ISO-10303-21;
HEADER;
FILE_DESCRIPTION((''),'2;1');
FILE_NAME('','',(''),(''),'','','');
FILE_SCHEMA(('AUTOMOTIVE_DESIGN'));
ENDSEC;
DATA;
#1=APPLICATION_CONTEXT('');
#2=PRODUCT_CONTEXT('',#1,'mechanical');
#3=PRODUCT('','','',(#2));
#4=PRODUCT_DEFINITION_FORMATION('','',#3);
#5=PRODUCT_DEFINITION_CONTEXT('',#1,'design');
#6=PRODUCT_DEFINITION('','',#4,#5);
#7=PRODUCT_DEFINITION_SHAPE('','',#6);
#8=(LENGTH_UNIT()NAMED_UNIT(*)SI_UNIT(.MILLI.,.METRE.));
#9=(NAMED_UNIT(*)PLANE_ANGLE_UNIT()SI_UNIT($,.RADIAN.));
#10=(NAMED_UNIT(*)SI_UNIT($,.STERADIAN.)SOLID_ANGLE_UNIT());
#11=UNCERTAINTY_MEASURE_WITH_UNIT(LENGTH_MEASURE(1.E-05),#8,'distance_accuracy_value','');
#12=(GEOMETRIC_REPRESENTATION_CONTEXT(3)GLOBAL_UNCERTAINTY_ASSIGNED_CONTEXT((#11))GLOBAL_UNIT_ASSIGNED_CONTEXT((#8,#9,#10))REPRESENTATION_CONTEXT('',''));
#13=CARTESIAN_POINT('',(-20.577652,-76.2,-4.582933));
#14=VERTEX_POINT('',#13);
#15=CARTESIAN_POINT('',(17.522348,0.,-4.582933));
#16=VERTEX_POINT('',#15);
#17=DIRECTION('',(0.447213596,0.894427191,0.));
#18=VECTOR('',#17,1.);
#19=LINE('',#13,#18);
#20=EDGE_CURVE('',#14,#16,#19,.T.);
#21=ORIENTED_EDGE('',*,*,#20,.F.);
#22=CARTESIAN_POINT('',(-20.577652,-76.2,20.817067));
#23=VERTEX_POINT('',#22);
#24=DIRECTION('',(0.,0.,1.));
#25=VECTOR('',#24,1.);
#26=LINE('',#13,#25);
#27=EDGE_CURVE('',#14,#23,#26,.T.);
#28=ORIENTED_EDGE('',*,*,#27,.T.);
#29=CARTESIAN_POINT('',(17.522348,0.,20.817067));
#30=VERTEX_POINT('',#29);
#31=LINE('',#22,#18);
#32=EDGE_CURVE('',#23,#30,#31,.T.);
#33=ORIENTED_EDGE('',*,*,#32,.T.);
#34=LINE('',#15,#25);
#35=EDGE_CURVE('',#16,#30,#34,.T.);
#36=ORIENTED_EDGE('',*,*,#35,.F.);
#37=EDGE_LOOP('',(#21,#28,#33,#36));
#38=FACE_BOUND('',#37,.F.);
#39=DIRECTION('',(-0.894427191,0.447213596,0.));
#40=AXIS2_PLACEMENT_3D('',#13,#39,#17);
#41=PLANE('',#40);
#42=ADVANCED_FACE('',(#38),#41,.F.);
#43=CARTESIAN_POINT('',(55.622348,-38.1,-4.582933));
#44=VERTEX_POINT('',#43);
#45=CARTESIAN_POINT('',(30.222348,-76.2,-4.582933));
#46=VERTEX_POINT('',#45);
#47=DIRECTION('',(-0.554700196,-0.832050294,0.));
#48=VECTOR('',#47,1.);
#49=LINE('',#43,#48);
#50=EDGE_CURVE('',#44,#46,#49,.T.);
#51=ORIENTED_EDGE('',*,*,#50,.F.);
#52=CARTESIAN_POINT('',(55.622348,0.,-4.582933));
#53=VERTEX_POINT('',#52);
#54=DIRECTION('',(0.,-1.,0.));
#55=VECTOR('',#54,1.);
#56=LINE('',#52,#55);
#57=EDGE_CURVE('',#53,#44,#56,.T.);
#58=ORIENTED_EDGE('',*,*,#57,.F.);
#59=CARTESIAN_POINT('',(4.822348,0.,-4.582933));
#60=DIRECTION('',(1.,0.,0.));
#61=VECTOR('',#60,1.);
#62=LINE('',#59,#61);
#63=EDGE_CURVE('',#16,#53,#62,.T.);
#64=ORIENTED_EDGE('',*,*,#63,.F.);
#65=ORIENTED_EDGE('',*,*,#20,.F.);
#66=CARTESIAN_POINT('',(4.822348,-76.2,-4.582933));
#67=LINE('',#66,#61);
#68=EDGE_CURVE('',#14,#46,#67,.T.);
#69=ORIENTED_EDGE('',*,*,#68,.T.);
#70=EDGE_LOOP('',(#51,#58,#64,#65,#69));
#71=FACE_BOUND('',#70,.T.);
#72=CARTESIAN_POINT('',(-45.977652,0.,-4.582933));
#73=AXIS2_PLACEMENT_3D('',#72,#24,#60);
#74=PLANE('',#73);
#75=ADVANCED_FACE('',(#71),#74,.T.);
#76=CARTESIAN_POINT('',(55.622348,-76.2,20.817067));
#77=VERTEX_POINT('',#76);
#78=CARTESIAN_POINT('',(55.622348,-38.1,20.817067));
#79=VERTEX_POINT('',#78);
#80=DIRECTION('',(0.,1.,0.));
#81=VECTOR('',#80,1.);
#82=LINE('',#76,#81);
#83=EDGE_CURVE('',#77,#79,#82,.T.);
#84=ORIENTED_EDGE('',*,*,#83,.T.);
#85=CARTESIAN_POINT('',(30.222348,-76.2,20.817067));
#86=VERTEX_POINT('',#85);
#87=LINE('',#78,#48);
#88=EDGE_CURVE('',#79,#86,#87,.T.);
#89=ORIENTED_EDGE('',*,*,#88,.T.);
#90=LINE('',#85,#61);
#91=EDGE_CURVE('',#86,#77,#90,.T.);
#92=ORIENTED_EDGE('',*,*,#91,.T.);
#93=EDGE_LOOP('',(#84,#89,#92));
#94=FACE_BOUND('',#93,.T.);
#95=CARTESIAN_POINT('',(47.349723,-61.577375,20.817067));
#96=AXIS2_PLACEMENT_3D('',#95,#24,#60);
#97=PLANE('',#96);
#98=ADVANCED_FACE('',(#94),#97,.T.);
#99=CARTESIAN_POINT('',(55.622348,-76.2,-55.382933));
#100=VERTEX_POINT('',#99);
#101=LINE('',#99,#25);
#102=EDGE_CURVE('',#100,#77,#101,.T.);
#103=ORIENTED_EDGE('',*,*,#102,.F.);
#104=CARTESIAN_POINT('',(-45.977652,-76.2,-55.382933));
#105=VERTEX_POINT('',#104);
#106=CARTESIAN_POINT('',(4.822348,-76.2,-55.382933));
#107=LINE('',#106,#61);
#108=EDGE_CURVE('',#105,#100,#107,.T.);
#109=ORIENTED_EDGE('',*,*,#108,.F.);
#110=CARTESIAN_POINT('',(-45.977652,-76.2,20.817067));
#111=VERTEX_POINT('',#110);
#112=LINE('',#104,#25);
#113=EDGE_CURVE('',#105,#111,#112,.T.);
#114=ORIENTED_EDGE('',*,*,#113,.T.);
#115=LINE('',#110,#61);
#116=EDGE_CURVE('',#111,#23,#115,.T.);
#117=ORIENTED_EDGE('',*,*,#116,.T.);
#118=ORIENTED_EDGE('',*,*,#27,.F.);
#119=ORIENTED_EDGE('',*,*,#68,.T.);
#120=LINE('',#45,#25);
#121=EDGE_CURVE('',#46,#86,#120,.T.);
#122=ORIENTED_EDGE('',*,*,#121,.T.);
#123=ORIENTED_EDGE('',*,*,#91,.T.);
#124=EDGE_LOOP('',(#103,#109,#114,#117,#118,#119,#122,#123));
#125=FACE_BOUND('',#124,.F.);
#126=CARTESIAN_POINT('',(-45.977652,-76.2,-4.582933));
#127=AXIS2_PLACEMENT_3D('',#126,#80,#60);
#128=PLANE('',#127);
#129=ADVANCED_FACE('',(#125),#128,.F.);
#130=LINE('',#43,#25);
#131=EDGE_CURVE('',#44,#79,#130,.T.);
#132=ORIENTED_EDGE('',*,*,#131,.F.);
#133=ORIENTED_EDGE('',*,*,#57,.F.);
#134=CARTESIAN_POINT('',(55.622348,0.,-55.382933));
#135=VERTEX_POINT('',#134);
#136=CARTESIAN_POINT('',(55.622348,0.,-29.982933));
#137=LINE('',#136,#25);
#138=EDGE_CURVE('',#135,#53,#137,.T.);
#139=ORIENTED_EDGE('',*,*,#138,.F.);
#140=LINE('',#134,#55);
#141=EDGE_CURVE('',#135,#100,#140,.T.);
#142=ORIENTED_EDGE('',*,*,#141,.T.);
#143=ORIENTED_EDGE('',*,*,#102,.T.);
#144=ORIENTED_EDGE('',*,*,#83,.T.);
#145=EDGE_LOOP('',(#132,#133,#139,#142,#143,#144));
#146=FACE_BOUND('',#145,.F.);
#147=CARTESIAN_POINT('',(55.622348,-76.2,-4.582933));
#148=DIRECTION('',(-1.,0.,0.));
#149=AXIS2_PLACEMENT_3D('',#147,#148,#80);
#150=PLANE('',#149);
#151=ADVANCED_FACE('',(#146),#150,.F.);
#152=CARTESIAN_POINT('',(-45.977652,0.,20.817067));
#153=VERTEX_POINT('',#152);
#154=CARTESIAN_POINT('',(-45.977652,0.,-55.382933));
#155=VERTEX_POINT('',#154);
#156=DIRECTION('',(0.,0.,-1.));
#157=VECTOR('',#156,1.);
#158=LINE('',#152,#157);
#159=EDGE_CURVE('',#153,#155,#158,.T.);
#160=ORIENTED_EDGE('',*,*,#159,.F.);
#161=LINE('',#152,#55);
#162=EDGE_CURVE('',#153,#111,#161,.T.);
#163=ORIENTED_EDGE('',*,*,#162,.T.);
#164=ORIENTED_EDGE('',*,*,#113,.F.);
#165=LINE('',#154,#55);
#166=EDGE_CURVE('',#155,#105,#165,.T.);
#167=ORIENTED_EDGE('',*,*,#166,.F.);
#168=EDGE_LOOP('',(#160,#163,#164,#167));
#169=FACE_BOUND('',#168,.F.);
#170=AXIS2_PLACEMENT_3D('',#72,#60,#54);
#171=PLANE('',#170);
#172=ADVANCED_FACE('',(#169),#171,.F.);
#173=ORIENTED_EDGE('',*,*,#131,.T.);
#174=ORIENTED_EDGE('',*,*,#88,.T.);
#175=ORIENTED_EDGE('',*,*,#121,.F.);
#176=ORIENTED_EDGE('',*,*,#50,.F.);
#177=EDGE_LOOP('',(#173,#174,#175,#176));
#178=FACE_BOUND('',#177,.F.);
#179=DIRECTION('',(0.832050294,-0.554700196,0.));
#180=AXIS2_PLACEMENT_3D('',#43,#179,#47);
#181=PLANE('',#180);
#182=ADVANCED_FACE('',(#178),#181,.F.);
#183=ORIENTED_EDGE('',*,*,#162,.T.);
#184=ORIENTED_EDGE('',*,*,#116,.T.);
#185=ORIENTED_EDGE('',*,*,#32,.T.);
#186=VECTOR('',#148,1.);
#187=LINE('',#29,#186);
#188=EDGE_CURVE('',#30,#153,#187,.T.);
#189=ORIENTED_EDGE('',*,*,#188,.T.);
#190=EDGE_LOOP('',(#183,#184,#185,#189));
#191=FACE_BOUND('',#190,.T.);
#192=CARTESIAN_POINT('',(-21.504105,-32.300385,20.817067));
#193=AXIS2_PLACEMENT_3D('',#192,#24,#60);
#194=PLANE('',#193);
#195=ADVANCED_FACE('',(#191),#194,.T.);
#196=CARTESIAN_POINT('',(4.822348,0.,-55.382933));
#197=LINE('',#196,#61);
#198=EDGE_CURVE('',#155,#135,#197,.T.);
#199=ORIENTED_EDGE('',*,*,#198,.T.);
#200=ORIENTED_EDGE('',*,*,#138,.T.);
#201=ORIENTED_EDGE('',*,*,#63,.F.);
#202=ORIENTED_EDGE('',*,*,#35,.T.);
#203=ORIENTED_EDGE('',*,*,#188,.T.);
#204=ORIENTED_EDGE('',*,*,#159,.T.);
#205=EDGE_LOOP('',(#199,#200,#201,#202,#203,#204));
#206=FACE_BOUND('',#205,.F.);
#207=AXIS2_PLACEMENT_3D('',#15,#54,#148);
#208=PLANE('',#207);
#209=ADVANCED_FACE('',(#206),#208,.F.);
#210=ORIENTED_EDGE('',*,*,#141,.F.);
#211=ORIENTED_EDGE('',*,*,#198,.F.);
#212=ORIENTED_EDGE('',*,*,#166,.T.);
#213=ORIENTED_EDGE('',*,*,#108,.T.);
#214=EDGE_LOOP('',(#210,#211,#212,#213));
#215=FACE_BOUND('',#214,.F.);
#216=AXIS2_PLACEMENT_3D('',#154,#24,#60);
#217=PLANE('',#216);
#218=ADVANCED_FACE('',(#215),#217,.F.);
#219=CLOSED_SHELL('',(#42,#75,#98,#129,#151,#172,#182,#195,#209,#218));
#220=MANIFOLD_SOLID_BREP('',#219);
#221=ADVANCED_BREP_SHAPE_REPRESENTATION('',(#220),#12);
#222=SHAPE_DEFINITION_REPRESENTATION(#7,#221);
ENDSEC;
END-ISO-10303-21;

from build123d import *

# Parameters (mm, degrees)
F0_W     = 101.6
F0_H     = 50.8
F1_DEPTH = 76.2
F3_DEPTH = 25.4
F5_DEPTH = 25.4


with BuildPart() as f1:
    # F0 (on Front) → F1 (new body)
    with BuildSketch(Plane.XZ):
        with Locations((4.822348, -29.982933)):
            Rectangle(F0_W, F0_H)
    extrude(amount=F1_DEPTH)

    # F2 (on face) → F3 (join)
    with BuildSketch(Plane.XY.offset(-4.582933)):
        Polygon((30.222348, -76.2), (55.622348, -76.2), (55.622348, -38.1), align=None)
    extrude(amount=F3_DEPTH)

    # F4 (on face) → F5 (join)
    with BuildSketch(Plane.XY.offset(-4.582933)):
        Polygon((-45.977652, 0), (-45.977652, -76.2), (-20.577652, -76.2), (17.522348, 0), align=None)
    extrude(amount=F5_DEPTH)


solid = f1.part
